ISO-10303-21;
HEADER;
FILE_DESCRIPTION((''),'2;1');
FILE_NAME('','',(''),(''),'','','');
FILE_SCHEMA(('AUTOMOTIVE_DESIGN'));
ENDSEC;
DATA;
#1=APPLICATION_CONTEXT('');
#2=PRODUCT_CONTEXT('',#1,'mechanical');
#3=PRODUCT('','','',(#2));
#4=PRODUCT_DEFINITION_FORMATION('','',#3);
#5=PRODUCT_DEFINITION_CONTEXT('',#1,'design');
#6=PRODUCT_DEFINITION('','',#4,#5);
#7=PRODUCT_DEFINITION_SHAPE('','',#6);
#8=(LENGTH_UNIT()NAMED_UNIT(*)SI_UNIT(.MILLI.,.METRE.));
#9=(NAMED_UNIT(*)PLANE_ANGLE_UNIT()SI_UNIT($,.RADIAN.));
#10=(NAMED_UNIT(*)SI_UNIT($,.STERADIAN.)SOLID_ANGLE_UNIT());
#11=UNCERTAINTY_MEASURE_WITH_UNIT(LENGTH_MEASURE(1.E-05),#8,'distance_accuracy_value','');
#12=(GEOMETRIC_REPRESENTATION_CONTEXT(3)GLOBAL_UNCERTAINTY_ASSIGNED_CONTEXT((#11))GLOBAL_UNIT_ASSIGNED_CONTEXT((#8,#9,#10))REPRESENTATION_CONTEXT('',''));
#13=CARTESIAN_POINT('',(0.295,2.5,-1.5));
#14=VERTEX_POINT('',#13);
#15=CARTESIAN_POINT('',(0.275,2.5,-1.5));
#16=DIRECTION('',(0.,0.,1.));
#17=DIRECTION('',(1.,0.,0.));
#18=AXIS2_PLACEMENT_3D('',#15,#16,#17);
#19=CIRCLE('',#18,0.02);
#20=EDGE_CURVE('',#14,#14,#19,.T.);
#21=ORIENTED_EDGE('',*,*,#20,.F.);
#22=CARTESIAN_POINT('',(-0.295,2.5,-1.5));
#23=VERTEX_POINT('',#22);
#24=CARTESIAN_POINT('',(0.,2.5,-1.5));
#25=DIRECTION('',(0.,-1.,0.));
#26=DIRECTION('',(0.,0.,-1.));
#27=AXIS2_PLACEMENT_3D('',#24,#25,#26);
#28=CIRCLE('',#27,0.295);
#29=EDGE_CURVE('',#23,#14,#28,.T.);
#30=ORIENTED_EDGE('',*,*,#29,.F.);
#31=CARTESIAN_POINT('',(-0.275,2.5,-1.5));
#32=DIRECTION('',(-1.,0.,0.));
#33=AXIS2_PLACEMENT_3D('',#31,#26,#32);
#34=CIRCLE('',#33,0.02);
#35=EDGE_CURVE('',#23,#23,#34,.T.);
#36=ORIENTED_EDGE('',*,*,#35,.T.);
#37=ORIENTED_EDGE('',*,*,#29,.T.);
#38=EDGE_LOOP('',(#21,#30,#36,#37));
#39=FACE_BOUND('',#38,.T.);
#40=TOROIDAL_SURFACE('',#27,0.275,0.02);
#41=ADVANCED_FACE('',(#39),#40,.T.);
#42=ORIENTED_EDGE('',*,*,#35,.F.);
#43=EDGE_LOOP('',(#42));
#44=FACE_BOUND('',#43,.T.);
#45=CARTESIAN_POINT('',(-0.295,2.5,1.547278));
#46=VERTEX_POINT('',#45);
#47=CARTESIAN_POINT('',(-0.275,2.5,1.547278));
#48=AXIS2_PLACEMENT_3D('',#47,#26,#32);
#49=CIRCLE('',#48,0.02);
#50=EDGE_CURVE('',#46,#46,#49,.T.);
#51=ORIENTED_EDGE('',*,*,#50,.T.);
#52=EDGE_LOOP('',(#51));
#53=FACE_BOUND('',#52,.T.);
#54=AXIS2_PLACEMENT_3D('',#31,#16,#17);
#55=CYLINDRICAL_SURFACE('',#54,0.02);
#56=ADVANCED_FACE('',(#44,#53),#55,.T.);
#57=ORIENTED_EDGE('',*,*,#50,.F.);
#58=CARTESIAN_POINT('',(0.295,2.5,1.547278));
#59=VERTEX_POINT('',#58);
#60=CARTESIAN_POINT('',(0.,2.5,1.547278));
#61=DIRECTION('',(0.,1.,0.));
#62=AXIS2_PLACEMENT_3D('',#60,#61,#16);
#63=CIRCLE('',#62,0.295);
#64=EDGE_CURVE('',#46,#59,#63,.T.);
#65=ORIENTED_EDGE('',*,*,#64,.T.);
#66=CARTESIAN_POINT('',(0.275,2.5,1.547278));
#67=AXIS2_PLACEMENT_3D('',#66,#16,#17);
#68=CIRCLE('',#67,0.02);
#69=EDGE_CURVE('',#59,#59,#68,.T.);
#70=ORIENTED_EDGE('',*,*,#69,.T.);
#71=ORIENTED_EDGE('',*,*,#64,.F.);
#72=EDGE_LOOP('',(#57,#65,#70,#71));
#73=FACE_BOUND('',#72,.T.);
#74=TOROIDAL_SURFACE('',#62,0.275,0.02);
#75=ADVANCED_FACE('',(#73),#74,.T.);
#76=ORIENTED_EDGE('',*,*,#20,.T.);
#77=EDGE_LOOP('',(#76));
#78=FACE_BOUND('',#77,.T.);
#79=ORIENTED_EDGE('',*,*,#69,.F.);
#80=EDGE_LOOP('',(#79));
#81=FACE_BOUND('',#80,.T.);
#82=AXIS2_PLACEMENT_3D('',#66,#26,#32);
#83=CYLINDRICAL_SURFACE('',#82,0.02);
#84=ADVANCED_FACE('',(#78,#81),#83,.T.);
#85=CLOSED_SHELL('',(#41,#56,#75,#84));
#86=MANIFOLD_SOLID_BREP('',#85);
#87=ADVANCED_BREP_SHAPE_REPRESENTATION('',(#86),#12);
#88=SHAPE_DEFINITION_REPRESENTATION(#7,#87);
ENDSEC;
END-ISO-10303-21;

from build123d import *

# Parameters (mm, degrees)
SKETCH2_R = 0.02


with BuildPart() as part:
    # Sweep1: sweep along a path in Sketch1
    with BuildLine(Plane(origin=(0, 2.5, 0), x_dir=(0, 0, -1), z_dir=(0, -1, 0))) as sweep1_path:
        Line((-1.547277937, -0.275), (1.5, -0.275))
        ThreePointArc((1.5, -0.275), (1.775, 0), (1.5, 0.275))
        Line((1.5, 0.275), (-1.547277937, 0.275))
        ThreePointArc((-1.547277937, 0.275), (-1.822277937, 0), (-1.547277937, -0.275))
    # Sketch2 → Sweep1 (sweep)
    with BuildSketch(Plane(origin=(0.270905512, 2.5, -1.547277937), x_dir=(-0.9851109543686638, 0, 0.17191977077363899), z_dir=(0.17191977077363899, 0, 0.9851109543686638))):
        Circle(SKETCH2_R)
    sweep(path=sweep1_path.line)


solid = part.part
